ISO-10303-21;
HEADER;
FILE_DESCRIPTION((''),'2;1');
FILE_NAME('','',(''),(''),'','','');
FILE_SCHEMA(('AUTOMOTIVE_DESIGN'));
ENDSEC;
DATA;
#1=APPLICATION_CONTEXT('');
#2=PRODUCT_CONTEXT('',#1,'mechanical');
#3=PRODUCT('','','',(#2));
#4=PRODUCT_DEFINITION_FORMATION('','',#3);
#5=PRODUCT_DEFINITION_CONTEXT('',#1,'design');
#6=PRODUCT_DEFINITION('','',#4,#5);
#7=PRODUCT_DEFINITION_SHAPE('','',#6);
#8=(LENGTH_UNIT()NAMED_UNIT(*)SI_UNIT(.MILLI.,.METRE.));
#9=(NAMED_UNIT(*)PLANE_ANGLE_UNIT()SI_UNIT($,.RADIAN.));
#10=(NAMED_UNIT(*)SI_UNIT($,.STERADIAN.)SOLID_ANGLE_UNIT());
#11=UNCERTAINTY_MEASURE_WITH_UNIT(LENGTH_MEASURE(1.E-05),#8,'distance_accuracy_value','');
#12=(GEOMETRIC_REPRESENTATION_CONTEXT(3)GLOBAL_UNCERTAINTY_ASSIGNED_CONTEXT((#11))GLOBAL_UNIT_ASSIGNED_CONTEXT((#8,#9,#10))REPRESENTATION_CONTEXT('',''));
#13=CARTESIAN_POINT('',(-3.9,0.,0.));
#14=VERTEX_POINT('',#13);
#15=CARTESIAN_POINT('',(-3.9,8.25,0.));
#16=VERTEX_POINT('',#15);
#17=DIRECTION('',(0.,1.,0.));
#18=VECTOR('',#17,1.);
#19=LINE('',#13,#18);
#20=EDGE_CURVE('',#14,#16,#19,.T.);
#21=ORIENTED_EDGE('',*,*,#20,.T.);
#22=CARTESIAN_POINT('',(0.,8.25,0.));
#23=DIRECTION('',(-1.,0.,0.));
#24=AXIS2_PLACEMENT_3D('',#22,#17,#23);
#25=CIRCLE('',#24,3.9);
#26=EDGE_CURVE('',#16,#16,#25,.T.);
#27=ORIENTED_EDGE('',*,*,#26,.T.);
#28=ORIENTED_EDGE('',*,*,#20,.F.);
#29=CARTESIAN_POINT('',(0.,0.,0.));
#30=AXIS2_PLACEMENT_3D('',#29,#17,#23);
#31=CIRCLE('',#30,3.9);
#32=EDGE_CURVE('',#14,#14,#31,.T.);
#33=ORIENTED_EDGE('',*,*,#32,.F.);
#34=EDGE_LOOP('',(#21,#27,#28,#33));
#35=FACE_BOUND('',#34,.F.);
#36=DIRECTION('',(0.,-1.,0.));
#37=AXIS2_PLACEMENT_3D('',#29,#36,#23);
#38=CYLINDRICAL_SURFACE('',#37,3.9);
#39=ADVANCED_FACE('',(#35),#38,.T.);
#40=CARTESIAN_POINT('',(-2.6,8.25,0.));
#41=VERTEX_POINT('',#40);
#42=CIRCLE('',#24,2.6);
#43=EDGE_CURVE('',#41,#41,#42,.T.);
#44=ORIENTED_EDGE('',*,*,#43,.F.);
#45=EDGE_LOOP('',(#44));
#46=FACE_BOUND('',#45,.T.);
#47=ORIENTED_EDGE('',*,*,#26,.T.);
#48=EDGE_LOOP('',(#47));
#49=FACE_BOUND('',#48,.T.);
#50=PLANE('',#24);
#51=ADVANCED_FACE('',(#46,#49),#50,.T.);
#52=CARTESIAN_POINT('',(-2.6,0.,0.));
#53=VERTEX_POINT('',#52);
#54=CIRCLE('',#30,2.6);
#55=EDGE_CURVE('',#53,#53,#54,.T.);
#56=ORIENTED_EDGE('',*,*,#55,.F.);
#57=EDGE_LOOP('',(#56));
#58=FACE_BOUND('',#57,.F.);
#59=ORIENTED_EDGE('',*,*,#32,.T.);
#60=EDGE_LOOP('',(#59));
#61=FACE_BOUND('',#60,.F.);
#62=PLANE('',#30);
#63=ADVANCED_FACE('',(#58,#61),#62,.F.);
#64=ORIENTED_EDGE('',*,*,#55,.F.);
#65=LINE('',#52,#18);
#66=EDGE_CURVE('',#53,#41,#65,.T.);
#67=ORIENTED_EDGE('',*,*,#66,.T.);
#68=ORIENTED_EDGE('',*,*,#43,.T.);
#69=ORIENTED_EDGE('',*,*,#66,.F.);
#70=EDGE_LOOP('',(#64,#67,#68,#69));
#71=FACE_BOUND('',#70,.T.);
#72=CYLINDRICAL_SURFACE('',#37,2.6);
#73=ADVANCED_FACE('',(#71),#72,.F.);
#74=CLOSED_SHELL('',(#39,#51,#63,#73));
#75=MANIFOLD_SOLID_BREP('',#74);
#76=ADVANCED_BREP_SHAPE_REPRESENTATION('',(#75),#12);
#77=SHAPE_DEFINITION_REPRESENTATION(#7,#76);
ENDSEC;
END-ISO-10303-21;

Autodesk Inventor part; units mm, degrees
ref_plane "YZ Plane" through (0, 0, 0) normal (1, 0, 0) x (0, 1, 0)
ref_plane "XZ Plane" through (0, 0, 0) normal (0, 1, 0) x (-1, 0, 0)
ref_plane "XY Plane" through (0, 0, 0) normal (0, 0, 1) x (1, 0, 0)
sketch "Sketch1" plane through (0, 0, 0) normal (0, 1, 0) x (-1, 0, 0)
  circle A0 centre (0, 0) radius 3.9
  circle A1 centre (0, 0) radius 2.6
  dimension "d0" = 7.8
  dimension "d1" = 5.2
extrude "Extrusion1" add sketch "Sketch1" along normal blind 8.25
properties part number "M5 Metal Spacer"
